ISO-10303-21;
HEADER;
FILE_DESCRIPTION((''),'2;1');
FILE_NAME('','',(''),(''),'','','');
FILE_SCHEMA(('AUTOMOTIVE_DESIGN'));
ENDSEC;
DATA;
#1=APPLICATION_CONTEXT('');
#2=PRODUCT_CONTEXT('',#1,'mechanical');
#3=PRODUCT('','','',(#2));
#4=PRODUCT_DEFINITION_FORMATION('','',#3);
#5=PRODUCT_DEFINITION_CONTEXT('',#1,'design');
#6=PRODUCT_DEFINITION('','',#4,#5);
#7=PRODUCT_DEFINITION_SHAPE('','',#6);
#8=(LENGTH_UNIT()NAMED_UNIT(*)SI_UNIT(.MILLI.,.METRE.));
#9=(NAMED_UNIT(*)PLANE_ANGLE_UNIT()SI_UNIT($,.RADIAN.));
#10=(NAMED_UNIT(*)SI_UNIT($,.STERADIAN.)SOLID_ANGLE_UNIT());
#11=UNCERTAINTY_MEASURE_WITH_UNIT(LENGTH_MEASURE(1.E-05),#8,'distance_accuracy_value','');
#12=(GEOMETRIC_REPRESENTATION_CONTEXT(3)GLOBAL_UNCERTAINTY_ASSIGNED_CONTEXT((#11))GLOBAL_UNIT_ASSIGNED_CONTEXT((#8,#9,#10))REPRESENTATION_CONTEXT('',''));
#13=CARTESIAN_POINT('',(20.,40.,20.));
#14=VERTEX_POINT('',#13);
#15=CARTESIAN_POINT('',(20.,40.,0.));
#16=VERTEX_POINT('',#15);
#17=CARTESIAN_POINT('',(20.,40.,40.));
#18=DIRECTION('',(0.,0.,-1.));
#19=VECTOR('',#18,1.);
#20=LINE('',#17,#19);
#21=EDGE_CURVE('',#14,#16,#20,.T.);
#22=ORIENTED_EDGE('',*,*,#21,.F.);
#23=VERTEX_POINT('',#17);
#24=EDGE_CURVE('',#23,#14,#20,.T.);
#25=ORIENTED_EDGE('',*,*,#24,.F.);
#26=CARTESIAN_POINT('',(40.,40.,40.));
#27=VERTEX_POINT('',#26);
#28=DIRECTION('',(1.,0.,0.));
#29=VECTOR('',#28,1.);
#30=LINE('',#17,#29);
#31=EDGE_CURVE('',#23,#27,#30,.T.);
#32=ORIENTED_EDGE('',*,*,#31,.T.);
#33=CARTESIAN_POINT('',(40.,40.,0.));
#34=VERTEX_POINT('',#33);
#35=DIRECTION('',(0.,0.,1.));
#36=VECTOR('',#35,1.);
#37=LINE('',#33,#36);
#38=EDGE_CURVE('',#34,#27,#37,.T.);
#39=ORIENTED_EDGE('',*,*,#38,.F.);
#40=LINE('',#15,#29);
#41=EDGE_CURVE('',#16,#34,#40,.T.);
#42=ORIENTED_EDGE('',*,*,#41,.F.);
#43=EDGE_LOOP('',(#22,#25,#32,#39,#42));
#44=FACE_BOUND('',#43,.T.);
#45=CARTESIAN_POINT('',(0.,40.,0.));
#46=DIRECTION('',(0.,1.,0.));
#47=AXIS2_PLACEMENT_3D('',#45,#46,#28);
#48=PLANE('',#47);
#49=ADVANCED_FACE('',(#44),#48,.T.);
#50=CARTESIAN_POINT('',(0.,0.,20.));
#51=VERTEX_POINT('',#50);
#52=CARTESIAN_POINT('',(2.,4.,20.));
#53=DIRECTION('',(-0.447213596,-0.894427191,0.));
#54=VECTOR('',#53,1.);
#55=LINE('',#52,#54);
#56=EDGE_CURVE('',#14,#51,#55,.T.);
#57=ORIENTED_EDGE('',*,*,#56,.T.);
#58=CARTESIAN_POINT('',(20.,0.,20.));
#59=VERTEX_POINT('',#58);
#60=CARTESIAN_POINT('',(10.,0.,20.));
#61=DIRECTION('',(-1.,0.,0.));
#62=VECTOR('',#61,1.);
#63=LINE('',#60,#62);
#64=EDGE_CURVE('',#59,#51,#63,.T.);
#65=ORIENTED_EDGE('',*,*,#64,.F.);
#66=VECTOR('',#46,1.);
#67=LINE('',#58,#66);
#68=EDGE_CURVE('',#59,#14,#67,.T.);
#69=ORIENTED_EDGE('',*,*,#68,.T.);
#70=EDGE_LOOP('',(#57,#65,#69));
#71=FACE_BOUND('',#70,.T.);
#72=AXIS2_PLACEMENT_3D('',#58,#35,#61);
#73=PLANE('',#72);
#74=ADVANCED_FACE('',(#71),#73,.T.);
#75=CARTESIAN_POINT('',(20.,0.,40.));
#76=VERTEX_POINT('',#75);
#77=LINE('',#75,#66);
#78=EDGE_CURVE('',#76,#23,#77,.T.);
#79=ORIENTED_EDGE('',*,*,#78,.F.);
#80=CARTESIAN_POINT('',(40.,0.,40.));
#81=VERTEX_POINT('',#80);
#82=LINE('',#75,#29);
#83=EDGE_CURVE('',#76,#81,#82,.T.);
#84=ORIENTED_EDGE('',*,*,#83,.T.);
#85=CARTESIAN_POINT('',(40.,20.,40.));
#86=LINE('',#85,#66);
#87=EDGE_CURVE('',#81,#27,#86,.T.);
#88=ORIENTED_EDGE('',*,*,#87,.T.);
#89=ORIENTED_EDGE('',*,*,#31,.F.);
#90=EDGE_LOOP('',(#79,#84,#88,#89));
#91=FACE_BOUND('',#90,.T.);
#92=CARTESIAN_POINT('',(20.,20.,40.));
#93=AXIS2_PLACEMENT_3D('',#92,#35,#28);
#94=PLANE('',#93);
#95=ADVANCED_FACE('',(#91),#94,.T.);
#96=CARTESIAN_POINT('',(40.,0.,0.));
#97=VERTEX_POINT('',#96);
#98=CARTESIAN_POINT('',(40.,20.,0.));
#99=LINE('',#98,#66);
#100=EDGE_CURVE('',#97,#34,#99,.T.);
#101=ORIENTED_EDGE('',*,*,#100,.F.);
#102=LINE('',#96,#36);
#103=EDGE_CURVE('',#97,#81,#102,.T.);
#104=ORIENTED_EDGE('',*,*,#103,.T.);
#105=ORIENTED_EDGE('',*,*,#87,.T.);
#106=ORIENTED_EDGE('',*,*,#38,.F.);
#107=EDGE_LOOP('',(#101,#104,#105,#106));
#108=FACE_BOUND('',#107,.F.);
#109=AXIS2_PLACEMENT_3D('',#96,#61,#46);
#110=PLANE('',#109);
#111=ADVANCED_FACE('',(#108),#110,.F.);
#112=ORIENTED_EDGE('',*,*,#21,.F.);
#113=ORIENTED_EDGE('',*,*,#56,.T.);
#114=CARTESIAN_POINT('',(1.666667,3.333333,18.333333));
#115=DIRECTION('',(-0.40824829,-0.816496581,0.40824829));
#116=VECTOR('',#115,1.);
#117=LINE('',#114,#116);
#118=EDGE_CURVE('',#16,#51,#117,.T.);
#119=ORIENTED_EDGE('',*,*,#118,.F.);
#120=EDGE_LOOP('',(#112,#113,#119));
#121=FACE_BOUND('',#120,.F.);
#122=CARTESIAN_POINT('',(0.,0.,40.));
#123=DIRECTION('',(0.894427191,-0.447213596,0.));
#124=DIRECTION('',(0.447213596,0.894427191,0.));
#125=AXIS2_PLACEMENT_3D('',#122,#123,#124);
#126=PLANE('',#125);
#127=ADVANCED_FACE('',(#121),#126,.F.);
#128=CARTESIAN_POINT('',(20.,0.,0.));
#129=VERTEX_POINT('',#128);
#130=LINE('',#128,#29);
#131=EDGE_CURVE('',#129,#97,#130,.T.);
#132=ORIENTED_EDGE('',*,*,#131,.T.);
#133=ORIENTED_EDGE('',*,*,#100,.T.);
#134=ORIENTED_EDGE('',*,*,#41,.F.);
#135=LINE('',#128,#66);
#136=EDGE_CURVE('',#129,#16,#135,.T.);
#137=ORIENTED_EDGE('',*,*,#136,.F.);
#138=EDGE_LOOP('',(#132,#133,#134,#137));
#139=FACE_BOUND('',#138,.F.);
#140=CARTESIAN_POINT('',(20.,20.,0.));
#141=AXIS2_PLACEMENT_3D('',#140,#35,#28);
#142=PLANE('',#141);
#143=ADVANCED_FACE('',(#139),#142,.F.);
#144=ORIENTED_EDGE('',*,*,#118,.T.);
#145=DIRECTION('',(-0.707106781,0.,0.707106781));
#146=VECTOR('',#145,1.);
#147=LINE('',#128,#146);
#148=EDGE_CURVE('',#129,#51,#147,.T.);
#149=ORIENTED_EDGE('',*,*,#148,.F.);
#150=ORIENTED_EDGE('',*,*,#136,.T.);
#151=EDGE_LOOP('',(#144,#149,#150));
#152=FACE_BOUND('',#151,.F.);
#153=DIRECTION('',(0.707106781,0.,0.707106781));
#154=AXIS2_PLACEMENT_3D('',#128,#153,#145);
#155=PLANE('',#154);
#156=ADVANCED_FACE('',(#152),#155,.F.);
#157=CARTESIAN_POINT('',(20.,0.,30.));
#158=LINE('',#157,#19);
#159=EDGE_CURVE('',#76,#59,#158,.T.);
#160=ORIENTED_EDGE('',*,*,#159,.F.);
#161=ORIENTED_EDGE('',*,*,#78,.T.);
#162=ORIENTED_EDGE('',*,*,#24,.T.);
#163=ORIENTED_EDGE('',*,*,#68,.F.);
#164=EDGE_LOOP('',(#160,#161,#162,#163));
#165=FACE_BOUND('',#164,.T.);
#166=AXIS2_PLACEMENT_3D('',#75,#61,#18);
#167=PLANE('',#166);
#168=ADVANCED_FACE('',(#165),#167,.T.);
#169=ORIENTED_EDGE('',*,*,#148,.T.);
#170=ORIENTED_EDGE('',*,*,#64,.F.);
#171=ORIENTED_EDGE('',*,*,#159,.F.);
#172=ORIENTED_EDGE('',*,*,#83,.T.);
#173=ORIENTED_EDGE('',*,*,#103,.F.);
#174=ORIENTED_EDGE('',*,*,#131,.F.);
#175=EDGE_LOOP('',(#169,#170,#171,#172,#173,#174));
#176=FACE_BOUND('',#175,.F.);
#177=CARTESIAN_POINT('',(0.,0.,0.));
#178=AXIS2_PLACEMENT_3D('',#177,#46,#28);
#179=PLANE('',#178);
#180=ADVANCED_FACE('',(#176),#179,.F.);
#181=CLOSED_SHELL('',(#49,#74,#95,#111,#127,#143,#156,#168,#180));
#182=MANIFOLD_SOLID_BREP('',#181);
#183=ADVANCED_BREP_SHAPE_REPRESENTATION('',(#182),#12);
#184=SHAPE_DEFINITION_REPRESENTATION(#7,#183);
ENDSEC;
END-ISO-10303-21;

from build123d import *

# Parameters (mm, degrees)
SKETCH1_W           = 40
SKETCH1_H           = 40
BOSS_EXTRUDE1_DEPTH = 40
CUT_EXTRUDE1_DEPTH  = 40
SKETCH3_W           = 20
SKETCH3_H           = 20
CUT_EXTRUDE2_DEPTH  = 40
CUT_EXTRUDE3_DEPTH  = 40


with BuildPart() as part:
    # Sketch1 → Boss-Extrude1 (new body)
    with BuildSketch(Plane.XY):
        with Locations((20, 20)):
            Rectangle(SKETCH1_W, SKETCH1_H)
    extrude(amount=BOSS_EXTRUDE1_DEPTH)

    # Sketch2 → Cut-Extrude1 (cut)
    with BuildSketch(Plane.XY.offset(40)):
        Polygon((0, 0), (20, 40), (0, 40), align=None)
    extrude(amount=-CUT_EXTRUDE1_DEPTH, mode=Mode.SUBTRACT)

    # Sketch3 → Cut-Extrude2 (cut)
    with BuildSketch(Plane(origin=(0, 0, 0), x_dir=(-1, 0, 0), z_dir=(0, -1, 0))):
        with Locations((-10, -30)):
            Rectangle(SKETCH3_W, SKETCH3_H)
    extrude(amount=-CUT_EXTRUDE2_DEPTH, mode=Mode.SUBTRACT)

    # Sketch4 → Cut-Extrude3 (cut)
    with BuildSketch(Plane.XZ):
        Polygon((20, 0), (0, 20), (0, 0), align=None)
    extrude(amount=-CUT_EXTRUDE3_DEPTH, mode=Mode.SUBTRACT)


solid = part.part
